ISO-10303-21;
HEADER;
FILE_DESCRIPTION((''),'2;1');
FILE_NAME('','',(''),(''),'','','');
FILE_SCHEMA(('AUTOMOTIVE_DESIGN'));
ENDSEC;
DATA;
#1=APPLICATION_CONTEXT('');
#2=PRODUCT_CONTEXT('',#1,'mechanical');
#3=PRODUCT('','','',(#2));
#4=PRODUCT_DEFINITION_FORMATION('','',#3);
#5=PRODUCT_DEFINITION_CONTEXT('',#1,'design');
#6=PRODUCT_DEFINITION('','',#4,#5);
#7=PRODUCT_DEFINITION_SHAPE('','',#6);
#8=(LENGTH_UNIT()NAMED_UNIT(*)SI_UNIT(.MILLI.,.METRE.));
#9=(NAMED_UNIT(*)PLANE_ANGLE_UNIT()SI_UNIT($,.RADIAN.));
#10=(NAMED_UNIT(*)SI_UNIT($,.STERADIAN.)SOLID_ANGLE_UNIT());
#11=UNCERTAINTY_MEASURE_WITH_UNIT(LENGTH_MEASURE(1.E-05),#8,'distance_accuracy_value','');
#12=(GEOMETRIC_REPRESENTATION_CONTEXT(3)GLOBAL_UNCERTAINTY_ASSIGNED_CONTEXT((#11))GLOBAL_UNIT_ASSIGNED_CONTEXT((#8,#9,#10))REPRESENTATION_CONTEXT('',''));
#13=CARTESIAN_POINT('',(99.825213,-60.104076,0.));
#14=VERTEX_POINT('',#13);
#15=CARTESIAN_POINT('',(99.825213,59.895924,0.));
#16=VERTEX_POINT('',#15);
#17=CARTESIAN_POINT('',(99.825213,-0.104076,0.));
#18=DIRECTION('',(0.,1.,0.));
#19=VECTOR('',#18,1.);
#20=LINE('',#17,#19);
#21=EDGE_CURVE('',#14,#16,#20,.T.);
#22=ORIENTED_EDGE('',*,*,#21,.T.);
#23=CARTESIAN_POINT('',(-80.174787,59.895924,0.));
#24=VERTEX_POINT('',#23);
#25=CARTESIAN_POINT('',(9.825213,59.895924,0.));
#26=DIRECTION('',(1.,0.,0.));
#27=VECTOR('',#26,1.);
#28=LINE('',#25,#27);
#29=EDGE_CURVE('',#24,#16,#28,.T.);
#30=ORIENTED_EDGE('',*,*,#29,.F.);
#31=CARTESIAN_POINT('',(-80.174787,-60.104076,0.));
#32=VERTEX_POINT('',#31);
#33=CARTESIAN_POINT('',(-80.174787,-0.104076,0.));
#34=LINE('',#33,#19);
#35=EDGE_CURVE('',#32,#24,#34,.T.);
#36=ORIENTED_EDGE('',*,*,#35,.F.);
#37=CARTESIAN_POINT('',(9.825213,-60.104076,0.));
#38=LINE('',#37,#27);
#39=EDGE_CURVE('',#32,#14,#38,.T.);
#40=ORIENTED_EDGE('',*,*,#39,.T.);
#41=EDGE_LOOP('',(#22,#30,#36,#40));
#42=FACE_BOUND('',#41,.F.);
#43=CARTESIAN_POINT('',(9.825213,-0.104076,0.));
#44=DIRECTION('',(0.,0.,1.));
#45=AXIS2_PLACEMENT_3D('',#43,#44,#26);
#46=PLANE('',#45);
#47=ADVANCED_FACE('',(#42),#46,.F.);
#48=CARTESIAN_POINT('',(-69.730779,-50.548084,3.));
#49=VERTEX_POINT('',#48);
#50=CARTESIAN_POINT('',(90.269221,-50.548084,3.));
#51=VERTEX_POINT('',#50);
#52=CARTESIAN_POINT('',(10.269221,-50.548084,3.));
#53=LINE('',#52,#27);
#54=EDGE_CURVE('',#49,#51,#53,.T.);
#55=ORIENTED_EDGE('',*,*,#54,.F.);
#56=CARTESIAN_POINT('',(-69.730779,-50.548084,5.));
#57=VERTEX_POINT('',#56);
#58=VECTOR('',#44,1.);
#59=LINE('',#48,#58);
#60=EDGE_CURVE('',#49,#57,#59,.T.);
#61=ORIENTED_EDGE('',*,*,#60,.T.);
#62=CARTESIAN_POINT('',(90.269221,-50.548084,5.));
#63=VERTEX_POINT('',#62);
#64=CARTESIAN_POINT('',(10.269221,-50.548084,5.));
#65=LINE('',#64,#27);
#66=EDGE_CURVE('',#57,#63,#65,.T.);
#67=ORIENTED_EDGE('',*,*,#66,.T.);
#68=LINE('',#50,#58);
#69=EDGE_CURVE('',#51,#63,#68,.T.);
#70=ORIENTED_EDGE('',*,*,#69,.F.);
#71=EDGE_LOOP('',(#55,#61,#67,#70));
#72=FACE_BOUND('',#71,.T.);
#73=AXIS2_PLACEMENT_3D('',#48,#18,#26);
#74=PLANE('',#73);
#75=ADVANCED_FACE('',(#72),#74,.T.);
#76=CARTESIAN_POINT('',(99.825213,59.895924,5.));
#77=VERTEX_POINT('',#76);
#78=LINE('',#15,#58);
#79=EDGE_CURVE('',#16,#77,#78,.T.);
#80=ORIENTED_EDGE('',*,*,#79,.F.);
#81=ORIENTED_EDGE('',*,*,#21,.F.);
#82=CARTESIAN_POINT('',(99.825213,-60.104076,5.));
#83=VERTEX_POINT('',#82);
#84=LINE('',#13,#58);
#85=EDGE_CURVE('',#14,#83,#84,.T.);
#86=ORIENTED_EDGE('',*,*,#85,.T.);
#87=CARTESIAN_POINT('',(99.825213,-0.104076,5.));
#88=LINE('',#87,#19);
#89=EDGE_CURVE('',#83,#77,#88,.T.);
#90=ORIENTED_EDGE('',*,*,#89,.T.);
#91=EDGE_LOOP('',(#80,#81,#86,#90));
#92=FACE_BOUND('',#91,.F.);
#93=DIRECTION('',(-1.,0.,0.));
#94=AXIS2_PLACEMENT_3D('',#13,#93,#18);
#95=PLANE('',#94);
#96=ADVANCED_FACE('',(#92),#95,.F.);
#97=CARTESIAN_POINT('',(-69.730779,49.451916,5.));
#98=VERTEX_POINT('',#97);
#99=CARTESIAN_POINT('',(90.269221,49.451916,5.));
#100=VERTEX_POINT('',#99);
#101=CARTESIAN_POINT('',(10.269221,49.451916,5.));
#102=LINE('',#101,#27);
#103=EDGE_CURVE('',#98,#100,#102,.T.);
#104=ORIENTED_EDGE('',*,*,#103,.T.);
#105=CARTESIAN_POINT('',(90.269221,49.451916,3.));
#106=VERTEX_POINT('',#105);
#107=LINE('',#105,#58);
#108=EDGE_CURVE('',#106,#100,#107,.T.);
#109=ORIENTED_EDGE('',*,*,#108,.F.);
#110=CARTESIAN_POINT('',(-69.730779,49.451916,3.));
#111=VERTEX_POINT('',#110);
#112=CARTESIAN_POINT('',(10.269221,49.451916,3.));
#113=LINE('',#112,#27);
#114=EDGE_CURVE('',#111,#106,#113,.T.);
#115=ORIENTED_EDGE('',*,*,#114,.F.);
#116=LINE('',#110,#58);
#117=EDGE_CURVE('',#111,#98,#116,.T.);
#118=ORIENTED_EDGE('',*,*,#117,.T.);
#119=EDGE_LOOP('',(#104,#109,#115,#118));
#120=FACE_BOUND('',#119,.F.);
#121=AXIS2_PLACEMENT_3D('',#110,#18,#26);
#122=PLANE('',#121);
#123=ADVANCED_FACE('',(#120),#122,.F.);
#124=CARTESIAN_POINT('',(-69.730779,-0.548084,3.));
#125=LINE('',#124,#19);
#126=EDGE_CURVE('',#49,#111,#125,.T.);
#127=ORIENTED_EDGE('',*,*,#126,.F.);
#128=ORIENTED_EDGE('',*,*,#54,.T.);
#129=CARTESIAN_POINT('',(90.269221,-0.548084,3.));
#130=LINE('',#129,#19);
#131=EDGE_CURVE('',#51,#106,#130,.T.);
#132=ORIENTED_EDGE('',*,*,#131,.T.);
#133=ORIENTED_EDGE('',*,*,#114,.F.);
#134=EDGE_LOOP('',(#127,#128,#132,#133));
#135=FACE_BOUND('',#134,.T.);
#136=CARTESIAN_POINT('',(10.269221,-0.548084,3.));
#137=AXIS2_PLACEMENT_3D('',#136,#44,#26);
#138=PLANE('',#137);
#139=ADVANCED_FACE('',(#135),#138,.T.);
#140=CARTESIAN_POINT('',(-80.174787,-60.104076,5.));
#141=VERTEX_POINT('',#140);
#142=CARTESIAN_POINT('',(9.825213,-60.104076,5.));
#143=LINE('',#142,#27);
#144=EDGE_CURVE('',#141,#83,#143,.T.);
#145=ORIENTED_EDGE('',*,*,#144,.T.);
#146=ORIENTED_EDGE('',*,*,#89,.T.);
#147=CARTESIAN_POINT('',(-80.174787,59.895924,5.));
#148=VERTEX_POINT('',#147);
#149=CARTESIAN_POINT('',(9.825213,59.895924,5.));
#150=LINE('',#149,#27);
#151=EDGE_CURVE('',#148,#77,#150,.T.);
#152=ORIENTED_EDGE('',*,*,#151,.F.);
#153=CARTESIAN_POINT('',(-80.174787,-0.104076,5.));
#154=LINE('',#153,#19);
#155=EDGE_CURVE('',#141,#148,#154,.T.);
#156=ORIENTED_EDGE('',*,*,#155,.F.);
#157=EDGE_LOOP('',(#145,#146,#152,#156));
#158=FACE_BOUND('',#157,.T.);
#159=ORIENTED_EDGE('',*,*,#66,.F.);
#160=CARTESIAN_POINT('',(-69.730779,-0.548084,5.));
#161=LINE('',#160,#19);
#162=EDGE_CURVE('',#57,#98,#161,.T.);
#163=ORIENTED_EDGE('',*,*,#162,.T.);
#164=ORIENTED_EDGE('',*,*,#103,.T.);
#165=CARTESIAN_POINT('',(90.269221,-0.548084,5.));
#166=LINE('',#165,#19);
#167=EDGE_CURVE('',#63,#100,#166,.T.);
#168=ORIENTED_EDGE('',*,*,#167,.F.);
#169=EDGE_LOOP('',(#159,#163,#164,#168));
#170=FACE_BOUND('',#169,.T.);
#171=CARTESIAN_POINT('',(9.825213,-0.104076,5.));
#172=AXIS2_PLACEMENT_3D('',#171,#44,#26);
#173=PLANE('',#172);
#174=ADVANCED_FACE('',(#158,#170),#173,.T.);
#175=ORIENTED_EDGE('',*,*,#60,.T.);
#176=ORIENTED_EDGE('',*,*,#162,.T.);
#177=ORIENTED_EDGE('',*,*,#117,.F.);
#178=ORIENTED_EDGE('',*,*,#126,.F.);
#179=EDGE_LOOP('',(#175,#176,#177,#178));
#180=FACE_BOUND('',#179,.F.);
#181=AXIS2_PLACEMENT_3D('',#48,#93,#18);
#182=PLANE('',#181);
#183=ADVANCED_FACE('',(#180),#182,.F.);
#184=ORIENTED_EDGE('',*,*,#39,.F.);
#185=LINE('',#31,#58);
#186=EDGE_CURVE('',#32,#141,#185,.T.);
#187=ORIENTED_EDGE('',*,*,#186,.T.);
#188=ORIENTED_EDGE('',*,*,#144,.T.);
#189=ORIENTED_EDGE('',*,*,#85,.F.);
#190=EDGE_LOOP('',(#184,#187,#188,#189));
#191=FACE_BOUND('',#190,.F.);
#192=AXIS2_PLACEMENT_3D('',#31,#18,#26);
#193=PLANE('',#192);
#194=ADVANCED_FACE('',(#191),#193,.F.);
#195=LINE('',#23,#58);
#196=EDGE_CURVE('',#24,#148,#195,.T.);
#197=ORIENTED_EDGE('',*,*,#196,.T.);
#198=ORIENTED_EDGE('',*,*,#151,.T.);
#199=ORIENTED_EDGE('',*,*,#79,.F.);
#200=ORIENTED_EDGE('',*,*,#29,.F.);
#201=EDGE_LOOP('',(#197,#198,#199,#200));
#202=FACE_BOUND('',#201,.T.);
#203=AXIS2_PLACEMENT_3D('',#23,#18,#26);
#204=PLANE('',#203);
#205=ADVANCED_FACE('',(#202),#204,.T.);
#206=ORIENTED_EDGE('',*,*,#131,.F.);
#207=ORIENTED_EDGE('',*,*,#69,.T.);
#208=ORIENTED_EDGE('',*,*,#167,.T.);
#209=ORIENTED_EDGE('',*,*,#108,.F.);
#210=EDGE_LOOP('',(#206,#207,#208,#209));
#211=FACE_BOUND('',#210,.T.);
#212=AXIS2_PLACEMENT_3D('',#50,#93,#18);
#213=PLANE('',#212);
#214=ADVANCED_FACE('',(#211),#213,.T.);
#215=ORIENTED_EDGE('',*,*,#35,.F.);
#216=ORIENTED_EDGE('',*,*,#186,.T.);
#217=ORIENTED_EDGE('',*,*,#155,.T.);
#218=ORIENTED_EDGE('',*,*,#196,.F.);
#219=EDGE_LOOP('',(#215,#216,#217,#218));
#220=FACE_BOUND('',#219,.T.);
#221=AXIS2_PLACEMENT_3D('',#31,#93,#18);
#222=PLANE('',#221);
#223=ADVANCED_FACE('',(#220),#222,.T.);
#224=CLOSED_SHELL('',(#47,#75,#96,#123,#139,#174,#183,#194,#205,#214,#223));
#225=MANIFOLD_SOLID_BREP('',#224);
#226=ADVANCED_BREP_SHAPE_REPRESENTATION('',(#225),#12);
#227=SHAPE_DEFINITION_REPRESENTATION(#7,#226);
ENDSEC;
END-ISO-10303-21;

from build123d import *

# Parameters (mm, degrees)
SKETCH_W     = 160
SKETCH_H     = 100
PAD_DEPTH    = 2
SKETCH001_W  = 180
SKETCH001_H  = 120
PAD001_DEPTH = 5


with BuildPart() as pcb:
    # Sketch → Pad (new body)
    with BuildSketch(Plane(origin=(-1, 1, 3), x_dir=(1, 0, 0), z_dir=(0, 0, 1))):
        with Locations((11.269221, -1.548084)):
            Rectangle(SKETCH_W, SKETCH_H)
    extrude(amount=PAD_DEPTH)


with BuildPart() as portapcb:
    # Sketch001 → Pad001 (new body)
    with BuildSketch(Plane.XY):
        with Locations((9.825213, -0.104076)):
            Rectangle(SKETCH001_W, SKETCH001_H)
    extrude(amount=PAD001_DEPTH)

    # Cut: cut PCB
    add(pcb.part, mode=Mode.SUBTRACT)


solid = portapcb.part
